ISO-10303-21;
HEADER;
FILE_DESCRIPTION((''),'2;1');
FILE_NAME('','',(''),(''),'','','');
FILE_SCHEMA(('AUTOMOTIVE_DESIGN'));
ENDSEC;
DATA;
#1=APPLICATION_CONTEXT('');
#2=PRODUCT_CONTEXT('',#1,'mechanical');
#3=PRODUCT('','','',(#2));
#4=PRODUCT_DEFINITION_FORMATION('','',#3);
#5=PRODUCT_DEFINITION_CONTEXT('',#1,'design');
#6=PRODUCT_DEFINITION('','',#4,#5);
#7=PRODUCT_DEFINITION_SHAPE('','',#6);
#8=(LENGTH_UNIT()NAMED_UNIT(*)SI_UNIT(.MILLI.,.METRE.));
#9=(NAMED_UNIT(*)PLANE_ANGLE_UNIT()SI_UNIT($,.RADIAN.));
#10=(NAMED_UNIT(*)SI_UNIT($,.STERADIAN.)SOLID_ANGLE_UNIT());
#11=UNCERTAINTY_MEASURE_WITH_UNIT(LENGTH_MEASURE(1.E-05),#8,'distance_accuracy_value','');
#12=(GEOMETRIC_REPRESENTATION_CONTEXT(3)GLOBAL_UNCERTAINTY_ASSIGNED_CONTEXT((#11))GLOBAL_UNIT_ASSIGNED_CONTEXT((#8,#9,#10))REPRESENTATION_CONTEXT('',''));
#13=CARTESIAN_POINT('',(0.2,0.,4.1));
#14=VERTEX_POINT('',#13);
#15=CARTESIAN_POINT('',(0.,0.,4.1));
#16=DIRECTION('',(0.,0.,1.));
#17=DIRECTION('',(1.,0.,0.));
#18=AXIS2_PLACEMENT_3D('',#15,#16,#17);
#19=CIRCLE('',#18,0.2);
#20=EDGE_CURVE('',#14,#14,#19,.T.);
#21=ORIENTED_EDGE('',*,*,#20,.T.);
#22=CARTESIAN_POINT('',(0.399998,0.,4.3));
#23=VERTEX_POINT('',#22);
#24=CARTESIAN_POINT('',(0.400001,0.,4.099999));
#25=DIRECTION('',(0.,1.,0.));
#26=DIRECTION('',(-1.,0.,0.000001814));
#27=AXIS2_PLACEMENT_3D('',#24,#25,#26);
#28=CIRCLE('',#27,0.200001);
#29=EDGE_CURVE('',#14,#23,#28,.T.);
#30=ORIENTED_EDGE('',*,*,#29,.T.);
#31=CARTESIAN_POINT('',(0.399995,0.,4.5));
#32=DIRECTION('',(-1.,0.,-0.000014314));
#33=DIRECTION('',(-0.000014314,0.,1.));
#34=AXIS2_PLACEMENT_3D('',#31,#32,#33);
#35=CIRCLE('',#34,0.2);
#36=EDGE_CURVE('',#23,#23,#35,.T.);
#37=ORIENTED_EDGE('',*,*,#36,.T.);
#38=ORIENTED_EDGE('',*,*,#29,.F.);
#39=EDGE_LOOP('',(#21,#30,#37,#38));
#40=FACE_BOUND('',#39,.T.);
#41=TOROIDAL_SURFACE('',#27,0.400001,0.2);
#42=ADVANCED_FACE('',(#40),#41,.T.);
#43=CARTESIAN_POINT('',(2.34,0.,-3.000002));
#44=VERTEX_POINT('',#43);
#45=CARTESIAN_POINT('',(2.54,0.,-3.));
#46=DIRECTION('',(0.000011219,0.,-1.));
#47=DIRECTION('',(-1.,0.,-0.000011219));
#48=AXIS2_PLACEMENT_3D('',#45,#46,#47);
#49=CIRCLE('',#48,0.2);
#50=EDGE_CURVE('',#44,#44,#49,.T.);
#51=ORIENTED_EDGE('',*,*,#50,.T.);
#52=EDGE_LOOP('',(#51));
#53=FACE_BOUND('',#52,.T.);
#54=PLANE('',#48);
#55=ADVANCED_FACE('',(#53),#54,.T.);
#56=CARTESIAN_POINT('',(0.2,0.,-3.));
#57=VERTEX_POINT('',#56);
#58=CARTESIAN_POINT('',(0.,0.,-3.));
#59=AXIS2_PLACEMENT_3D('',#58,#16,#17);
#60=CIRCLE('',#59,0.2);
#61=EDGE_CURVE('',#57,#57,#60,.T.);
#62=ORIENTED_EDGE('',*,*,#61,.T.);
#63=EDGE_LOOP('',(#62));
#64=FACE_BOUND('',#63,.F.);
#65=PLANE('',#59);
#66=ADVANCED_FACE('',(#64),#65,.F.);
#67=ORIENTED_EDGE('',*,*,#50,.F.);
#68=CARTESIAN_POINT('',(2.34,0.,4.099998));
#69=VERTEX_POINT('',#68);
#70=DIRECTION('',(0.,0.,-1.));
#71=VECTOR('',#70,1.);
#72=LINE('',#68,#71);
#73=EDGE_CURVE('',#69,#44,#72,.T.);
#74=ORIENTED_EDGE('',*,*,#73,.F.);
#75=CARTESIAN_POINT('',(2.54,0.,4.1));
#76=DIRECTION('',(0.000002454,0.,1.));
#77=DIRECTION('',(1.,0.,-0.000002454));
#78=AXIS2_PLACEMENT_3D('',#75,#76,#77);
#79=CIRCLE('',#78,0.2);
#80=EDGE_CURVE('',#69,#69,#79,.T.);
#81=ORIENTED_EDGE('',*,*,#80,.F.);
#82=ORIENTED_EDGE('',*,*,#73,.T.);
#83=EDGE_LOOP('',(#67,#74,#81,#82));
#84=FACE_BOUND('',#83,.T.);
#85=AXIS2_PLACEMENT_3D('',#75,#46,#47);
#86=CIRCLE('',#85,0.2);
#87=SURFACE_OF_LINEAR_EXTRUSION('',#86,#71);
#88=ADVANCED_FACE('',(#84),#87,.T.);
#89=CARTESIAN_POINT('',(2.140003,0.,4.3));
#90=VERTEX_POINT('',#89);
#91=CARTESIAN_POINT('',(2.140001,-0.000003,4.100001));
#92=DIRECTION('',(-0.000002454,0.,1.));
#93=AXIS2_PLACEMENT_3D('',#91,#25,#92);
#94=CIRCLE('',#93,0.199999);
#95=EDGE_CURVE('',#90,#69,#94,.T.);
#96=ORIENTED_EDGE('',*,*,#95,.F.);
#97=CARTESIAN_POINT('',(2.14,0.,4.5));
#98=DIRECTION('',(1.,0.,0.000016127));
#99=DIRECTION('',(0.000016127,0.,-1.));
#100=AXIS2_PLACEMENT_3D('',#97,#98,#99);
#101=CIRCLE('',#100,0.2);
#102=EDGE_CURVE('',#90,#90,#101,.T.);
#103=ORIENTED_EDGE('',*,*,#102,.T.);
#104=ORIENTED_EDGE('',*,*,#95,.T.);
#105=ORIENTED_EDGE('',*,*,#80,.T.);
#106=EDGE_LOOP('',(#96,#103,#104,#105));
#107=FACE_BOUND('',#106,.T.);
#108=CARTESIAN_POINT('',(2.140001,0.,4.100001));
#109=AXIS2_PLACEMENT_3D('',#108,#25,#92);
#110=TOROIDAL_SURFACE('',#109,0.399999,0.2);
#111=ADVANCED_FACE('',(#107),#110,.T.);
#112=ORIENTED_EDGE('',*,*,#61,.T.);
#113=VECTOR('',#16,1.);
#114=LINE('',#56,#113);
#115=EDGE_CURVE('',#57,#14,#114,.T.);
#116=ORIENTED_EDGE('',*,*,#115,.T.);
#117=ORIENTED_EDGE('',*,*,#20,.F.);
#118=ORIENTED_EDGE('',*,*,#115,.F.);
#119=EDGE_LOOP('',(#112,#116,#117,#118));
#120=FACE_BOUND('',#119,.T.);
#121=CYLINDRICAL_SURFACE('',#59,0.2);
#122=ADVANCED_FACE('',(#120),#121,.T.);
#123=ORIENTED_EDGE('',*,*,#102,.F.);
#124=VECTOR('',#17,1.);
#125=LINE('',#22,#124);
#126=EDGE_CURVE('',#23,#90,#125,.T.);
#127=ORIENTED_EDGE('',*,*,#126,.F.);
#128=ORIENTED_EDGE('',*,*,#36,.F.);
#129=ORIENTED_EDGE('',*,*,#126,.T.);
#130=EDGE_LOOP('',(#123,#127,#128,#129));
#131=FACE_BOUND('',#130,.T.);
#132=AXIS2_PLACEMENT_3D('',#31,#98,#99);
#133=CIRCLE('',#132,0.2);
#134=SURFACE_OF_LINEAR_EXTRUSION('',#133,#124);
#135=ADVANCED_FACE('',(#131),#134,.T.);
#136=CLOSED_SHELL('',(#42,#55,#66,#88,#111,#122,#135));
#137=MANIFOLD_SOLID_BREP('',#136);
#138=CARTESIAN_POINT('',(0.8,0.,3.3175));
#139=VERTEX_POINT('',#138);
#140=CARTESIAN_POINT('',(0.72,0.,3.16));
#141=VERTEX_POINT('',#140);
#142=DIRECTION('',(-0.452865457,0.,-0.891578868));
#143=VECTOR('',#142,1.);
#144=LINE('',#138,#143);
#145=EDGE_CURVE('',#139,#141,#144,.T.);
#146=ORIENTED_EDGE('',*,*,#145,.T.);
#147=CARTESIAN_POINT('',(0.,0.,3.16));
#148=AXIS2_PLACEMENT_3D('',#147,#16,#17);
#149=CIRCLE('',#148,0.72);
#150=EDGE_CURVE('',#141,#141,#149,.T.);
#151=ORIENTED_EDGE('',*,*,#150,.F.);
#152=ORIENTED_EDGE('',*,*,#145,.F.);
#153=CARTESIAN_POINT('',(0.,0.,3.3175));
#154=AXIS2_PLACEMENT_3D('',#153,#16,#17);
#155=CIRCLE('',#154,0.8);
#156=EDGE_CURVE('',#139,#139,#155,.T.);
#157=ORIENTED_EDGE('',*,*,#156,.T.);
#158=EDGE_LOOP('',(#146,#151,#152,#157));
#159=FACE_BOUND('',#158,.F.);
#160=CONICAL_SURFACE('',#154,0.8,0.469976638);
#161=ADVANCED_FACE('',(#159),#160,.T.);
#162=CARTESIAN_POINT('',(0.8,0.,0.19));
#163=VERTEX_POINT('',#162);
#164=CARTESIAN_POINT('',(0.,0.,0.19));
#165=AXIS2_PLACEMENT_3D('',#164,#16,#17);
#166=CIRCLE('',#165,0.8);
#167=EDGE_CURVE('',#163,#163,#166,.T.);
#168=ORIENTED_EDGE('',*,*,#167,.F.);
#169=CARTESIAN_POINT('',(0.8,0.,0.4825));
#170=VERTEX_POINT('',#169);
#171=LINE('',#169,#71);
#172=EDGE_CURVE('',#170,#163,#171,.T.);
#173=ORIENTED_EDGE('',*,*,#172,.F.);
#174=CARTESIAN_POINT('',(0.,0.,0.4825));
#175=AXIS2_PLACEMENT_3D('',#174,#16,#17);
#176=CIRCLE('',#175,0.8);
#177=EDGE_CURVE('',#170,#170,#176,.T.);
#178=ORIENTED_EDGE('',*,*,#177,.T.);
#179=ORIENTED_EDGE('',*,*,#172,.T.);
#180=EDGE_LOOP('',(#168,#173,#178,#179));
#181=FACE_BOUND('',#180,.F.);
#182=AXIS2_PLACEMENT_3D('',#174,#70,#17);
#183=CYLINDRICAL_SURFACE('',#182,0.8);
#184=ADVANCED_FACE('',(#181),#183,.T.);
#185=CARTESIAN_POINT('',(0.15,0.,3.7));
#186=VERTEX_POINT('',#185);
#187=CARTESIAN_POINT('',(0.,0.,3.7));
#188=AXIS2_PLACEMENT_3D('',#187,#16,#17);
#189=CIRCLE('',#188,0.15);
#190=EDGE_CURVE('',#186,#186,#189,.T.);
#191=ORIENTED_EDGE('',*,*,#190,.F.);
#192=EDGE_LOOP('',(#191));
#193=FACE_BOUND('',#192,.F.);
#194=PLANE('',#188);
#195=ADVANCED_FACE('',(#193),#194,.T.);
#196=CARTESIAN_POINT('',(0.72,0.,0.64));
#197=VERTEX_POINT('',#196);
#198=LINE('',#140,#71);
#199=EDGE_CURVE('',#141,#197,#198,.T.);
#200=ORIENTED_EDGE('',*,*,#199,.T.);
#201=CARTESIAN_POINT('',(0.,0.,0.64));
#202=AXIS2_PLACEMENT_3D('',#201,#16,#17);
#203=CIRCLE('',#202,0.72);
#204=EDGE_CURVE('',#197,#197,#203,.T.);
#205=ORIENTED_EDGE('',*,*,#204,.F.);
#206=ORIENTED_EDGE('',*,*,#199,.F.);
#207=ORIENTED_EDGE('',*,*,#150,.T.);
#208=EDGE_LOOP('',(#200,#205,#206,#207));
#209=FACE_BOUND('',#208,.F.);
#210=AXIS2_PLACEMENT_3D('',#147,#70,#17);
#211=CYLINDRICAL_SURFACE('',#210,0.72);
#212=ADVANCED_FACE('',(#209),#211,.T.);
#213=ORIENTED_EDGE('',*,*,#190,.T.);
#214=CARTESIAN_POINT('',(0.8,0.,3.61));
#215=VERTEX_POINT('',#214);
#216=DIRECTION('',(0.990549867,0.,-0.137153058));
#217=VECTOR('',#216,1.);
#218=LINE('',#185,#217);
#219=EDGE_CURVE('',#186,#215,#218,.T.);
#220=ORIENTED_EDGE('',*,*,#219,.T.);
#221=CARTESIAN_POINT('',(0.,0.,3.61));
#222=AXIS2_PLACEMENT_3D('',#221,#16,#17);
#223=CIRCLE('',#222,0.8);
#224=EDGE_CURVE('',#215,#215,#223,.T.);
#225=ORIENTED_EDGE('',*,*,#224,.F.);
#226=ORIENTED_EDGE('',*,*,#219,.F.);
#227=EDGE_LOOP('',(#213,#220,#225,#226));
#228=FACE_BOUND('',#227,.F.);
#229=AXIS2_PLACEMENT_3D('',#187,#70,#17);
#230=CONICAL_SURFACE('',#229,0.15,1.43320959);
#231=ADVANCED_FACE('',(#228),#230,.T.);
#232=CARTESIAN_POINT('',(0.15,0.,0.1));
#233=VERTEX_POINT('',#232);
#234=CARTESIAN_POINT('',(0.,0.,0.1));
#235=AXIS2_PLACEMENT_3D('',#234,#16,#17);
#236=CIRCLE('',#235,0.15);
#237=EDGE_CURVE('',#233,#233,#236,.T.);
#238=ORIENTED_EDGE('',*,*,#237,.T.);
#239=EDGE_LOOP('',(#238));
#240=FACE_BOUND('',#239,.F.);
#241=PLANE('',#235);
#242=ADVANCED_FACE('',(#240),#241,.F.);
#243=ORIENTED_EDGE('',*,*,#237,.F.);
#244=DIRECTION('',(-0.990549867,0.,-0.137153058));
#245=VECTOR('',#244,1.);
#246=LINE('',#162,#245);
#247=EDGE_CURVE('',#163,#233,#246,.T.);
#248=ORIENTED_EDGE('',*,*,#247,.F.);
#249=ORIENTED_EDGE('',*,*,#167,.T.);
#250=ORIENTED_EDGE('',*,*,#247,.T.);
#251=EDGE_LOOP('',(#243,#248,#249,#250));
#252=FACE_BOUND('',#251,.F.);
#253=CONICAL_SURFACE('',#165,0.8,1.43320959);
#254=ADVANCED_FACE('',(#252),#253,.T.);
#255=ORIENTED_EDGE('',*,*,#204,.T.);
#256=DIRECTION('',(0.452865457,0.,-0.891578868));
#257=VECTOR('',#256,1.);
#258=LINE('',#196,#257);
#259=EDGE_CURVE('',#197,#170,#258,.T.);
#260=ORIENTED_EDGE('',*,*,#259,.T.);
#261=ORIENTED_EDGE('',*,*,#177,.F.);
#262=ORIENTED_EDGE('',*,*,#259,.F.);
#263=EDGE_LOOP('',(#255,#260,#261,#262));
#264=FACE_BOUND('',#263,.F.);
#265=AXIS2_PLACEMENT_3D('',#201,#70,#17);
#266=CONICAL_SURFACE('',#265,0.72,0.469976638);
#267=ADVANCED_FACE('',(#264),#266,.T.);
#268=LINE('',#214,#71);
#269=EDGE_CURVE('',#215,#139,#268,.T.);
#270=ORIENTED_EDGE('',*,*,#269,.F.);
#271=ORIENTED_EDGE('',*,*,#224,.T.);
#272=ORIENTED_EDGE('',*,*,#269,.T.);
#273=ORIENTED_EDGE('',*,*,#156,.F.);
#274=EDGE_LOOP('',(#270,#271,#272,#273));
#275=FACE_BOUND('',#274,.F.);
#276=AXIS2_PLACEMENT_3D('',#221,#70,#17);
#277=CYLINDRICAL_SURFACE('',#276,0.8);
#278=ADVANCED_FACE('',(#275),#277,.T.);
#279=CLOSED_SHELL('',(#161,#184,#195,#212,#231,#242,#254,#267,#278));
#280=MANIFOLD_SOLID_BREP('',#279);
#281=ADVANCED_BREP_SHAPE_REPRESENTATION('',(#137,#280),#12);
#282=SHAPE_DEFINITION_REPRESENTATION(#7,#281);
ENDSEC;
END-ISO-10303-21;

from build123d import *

# Parameters (mm, degrees)
SKETCH_R = 0.2


with BuildPart() as sweep_body:
    # Sweep: sweep along a path in Sketch001
    with BuildLine(Plane.XZ) as sweep_path:
        Line((0, -3), (0, 4.1))
        ThreePointArc((0, 4.1), (0.117156, 4.382841), (0.399995, 4.5))
        Line((0.399995, 4.5), (2.14, 4.5))
        ThreePointArc((2.14, 4.5), (2.422843, 4.382843), (2.54, 4.1))
        Line((2.54, 4.1), (2.54, -3))
    # Sketch → Sweep (sweep)
    with BuildSketch(Plane.XY.offset(-2)):
        Circle(SKETCH_R)
    sweep(path=sweep_path.line)


with BuildPart() as revolution:
    # Sketch002 → Revolution (revolve)
    with BuildSketch(Plane.XZ):
        Polygon((0, 0.1), (0, 3.7), (0.15, 3.7), (0.8, 3.61), (0.8, 3.3175), (0.72, 3.16), (0.72, 0.64), (0.8, 0.4825), (0.8, 0.19), (0.15, 0.1), align=None)
    revolve(axis=Axis((0, 0, 0), (0, 0, 1)))


solid = Compound([sweep_body.part, revolution.part])
